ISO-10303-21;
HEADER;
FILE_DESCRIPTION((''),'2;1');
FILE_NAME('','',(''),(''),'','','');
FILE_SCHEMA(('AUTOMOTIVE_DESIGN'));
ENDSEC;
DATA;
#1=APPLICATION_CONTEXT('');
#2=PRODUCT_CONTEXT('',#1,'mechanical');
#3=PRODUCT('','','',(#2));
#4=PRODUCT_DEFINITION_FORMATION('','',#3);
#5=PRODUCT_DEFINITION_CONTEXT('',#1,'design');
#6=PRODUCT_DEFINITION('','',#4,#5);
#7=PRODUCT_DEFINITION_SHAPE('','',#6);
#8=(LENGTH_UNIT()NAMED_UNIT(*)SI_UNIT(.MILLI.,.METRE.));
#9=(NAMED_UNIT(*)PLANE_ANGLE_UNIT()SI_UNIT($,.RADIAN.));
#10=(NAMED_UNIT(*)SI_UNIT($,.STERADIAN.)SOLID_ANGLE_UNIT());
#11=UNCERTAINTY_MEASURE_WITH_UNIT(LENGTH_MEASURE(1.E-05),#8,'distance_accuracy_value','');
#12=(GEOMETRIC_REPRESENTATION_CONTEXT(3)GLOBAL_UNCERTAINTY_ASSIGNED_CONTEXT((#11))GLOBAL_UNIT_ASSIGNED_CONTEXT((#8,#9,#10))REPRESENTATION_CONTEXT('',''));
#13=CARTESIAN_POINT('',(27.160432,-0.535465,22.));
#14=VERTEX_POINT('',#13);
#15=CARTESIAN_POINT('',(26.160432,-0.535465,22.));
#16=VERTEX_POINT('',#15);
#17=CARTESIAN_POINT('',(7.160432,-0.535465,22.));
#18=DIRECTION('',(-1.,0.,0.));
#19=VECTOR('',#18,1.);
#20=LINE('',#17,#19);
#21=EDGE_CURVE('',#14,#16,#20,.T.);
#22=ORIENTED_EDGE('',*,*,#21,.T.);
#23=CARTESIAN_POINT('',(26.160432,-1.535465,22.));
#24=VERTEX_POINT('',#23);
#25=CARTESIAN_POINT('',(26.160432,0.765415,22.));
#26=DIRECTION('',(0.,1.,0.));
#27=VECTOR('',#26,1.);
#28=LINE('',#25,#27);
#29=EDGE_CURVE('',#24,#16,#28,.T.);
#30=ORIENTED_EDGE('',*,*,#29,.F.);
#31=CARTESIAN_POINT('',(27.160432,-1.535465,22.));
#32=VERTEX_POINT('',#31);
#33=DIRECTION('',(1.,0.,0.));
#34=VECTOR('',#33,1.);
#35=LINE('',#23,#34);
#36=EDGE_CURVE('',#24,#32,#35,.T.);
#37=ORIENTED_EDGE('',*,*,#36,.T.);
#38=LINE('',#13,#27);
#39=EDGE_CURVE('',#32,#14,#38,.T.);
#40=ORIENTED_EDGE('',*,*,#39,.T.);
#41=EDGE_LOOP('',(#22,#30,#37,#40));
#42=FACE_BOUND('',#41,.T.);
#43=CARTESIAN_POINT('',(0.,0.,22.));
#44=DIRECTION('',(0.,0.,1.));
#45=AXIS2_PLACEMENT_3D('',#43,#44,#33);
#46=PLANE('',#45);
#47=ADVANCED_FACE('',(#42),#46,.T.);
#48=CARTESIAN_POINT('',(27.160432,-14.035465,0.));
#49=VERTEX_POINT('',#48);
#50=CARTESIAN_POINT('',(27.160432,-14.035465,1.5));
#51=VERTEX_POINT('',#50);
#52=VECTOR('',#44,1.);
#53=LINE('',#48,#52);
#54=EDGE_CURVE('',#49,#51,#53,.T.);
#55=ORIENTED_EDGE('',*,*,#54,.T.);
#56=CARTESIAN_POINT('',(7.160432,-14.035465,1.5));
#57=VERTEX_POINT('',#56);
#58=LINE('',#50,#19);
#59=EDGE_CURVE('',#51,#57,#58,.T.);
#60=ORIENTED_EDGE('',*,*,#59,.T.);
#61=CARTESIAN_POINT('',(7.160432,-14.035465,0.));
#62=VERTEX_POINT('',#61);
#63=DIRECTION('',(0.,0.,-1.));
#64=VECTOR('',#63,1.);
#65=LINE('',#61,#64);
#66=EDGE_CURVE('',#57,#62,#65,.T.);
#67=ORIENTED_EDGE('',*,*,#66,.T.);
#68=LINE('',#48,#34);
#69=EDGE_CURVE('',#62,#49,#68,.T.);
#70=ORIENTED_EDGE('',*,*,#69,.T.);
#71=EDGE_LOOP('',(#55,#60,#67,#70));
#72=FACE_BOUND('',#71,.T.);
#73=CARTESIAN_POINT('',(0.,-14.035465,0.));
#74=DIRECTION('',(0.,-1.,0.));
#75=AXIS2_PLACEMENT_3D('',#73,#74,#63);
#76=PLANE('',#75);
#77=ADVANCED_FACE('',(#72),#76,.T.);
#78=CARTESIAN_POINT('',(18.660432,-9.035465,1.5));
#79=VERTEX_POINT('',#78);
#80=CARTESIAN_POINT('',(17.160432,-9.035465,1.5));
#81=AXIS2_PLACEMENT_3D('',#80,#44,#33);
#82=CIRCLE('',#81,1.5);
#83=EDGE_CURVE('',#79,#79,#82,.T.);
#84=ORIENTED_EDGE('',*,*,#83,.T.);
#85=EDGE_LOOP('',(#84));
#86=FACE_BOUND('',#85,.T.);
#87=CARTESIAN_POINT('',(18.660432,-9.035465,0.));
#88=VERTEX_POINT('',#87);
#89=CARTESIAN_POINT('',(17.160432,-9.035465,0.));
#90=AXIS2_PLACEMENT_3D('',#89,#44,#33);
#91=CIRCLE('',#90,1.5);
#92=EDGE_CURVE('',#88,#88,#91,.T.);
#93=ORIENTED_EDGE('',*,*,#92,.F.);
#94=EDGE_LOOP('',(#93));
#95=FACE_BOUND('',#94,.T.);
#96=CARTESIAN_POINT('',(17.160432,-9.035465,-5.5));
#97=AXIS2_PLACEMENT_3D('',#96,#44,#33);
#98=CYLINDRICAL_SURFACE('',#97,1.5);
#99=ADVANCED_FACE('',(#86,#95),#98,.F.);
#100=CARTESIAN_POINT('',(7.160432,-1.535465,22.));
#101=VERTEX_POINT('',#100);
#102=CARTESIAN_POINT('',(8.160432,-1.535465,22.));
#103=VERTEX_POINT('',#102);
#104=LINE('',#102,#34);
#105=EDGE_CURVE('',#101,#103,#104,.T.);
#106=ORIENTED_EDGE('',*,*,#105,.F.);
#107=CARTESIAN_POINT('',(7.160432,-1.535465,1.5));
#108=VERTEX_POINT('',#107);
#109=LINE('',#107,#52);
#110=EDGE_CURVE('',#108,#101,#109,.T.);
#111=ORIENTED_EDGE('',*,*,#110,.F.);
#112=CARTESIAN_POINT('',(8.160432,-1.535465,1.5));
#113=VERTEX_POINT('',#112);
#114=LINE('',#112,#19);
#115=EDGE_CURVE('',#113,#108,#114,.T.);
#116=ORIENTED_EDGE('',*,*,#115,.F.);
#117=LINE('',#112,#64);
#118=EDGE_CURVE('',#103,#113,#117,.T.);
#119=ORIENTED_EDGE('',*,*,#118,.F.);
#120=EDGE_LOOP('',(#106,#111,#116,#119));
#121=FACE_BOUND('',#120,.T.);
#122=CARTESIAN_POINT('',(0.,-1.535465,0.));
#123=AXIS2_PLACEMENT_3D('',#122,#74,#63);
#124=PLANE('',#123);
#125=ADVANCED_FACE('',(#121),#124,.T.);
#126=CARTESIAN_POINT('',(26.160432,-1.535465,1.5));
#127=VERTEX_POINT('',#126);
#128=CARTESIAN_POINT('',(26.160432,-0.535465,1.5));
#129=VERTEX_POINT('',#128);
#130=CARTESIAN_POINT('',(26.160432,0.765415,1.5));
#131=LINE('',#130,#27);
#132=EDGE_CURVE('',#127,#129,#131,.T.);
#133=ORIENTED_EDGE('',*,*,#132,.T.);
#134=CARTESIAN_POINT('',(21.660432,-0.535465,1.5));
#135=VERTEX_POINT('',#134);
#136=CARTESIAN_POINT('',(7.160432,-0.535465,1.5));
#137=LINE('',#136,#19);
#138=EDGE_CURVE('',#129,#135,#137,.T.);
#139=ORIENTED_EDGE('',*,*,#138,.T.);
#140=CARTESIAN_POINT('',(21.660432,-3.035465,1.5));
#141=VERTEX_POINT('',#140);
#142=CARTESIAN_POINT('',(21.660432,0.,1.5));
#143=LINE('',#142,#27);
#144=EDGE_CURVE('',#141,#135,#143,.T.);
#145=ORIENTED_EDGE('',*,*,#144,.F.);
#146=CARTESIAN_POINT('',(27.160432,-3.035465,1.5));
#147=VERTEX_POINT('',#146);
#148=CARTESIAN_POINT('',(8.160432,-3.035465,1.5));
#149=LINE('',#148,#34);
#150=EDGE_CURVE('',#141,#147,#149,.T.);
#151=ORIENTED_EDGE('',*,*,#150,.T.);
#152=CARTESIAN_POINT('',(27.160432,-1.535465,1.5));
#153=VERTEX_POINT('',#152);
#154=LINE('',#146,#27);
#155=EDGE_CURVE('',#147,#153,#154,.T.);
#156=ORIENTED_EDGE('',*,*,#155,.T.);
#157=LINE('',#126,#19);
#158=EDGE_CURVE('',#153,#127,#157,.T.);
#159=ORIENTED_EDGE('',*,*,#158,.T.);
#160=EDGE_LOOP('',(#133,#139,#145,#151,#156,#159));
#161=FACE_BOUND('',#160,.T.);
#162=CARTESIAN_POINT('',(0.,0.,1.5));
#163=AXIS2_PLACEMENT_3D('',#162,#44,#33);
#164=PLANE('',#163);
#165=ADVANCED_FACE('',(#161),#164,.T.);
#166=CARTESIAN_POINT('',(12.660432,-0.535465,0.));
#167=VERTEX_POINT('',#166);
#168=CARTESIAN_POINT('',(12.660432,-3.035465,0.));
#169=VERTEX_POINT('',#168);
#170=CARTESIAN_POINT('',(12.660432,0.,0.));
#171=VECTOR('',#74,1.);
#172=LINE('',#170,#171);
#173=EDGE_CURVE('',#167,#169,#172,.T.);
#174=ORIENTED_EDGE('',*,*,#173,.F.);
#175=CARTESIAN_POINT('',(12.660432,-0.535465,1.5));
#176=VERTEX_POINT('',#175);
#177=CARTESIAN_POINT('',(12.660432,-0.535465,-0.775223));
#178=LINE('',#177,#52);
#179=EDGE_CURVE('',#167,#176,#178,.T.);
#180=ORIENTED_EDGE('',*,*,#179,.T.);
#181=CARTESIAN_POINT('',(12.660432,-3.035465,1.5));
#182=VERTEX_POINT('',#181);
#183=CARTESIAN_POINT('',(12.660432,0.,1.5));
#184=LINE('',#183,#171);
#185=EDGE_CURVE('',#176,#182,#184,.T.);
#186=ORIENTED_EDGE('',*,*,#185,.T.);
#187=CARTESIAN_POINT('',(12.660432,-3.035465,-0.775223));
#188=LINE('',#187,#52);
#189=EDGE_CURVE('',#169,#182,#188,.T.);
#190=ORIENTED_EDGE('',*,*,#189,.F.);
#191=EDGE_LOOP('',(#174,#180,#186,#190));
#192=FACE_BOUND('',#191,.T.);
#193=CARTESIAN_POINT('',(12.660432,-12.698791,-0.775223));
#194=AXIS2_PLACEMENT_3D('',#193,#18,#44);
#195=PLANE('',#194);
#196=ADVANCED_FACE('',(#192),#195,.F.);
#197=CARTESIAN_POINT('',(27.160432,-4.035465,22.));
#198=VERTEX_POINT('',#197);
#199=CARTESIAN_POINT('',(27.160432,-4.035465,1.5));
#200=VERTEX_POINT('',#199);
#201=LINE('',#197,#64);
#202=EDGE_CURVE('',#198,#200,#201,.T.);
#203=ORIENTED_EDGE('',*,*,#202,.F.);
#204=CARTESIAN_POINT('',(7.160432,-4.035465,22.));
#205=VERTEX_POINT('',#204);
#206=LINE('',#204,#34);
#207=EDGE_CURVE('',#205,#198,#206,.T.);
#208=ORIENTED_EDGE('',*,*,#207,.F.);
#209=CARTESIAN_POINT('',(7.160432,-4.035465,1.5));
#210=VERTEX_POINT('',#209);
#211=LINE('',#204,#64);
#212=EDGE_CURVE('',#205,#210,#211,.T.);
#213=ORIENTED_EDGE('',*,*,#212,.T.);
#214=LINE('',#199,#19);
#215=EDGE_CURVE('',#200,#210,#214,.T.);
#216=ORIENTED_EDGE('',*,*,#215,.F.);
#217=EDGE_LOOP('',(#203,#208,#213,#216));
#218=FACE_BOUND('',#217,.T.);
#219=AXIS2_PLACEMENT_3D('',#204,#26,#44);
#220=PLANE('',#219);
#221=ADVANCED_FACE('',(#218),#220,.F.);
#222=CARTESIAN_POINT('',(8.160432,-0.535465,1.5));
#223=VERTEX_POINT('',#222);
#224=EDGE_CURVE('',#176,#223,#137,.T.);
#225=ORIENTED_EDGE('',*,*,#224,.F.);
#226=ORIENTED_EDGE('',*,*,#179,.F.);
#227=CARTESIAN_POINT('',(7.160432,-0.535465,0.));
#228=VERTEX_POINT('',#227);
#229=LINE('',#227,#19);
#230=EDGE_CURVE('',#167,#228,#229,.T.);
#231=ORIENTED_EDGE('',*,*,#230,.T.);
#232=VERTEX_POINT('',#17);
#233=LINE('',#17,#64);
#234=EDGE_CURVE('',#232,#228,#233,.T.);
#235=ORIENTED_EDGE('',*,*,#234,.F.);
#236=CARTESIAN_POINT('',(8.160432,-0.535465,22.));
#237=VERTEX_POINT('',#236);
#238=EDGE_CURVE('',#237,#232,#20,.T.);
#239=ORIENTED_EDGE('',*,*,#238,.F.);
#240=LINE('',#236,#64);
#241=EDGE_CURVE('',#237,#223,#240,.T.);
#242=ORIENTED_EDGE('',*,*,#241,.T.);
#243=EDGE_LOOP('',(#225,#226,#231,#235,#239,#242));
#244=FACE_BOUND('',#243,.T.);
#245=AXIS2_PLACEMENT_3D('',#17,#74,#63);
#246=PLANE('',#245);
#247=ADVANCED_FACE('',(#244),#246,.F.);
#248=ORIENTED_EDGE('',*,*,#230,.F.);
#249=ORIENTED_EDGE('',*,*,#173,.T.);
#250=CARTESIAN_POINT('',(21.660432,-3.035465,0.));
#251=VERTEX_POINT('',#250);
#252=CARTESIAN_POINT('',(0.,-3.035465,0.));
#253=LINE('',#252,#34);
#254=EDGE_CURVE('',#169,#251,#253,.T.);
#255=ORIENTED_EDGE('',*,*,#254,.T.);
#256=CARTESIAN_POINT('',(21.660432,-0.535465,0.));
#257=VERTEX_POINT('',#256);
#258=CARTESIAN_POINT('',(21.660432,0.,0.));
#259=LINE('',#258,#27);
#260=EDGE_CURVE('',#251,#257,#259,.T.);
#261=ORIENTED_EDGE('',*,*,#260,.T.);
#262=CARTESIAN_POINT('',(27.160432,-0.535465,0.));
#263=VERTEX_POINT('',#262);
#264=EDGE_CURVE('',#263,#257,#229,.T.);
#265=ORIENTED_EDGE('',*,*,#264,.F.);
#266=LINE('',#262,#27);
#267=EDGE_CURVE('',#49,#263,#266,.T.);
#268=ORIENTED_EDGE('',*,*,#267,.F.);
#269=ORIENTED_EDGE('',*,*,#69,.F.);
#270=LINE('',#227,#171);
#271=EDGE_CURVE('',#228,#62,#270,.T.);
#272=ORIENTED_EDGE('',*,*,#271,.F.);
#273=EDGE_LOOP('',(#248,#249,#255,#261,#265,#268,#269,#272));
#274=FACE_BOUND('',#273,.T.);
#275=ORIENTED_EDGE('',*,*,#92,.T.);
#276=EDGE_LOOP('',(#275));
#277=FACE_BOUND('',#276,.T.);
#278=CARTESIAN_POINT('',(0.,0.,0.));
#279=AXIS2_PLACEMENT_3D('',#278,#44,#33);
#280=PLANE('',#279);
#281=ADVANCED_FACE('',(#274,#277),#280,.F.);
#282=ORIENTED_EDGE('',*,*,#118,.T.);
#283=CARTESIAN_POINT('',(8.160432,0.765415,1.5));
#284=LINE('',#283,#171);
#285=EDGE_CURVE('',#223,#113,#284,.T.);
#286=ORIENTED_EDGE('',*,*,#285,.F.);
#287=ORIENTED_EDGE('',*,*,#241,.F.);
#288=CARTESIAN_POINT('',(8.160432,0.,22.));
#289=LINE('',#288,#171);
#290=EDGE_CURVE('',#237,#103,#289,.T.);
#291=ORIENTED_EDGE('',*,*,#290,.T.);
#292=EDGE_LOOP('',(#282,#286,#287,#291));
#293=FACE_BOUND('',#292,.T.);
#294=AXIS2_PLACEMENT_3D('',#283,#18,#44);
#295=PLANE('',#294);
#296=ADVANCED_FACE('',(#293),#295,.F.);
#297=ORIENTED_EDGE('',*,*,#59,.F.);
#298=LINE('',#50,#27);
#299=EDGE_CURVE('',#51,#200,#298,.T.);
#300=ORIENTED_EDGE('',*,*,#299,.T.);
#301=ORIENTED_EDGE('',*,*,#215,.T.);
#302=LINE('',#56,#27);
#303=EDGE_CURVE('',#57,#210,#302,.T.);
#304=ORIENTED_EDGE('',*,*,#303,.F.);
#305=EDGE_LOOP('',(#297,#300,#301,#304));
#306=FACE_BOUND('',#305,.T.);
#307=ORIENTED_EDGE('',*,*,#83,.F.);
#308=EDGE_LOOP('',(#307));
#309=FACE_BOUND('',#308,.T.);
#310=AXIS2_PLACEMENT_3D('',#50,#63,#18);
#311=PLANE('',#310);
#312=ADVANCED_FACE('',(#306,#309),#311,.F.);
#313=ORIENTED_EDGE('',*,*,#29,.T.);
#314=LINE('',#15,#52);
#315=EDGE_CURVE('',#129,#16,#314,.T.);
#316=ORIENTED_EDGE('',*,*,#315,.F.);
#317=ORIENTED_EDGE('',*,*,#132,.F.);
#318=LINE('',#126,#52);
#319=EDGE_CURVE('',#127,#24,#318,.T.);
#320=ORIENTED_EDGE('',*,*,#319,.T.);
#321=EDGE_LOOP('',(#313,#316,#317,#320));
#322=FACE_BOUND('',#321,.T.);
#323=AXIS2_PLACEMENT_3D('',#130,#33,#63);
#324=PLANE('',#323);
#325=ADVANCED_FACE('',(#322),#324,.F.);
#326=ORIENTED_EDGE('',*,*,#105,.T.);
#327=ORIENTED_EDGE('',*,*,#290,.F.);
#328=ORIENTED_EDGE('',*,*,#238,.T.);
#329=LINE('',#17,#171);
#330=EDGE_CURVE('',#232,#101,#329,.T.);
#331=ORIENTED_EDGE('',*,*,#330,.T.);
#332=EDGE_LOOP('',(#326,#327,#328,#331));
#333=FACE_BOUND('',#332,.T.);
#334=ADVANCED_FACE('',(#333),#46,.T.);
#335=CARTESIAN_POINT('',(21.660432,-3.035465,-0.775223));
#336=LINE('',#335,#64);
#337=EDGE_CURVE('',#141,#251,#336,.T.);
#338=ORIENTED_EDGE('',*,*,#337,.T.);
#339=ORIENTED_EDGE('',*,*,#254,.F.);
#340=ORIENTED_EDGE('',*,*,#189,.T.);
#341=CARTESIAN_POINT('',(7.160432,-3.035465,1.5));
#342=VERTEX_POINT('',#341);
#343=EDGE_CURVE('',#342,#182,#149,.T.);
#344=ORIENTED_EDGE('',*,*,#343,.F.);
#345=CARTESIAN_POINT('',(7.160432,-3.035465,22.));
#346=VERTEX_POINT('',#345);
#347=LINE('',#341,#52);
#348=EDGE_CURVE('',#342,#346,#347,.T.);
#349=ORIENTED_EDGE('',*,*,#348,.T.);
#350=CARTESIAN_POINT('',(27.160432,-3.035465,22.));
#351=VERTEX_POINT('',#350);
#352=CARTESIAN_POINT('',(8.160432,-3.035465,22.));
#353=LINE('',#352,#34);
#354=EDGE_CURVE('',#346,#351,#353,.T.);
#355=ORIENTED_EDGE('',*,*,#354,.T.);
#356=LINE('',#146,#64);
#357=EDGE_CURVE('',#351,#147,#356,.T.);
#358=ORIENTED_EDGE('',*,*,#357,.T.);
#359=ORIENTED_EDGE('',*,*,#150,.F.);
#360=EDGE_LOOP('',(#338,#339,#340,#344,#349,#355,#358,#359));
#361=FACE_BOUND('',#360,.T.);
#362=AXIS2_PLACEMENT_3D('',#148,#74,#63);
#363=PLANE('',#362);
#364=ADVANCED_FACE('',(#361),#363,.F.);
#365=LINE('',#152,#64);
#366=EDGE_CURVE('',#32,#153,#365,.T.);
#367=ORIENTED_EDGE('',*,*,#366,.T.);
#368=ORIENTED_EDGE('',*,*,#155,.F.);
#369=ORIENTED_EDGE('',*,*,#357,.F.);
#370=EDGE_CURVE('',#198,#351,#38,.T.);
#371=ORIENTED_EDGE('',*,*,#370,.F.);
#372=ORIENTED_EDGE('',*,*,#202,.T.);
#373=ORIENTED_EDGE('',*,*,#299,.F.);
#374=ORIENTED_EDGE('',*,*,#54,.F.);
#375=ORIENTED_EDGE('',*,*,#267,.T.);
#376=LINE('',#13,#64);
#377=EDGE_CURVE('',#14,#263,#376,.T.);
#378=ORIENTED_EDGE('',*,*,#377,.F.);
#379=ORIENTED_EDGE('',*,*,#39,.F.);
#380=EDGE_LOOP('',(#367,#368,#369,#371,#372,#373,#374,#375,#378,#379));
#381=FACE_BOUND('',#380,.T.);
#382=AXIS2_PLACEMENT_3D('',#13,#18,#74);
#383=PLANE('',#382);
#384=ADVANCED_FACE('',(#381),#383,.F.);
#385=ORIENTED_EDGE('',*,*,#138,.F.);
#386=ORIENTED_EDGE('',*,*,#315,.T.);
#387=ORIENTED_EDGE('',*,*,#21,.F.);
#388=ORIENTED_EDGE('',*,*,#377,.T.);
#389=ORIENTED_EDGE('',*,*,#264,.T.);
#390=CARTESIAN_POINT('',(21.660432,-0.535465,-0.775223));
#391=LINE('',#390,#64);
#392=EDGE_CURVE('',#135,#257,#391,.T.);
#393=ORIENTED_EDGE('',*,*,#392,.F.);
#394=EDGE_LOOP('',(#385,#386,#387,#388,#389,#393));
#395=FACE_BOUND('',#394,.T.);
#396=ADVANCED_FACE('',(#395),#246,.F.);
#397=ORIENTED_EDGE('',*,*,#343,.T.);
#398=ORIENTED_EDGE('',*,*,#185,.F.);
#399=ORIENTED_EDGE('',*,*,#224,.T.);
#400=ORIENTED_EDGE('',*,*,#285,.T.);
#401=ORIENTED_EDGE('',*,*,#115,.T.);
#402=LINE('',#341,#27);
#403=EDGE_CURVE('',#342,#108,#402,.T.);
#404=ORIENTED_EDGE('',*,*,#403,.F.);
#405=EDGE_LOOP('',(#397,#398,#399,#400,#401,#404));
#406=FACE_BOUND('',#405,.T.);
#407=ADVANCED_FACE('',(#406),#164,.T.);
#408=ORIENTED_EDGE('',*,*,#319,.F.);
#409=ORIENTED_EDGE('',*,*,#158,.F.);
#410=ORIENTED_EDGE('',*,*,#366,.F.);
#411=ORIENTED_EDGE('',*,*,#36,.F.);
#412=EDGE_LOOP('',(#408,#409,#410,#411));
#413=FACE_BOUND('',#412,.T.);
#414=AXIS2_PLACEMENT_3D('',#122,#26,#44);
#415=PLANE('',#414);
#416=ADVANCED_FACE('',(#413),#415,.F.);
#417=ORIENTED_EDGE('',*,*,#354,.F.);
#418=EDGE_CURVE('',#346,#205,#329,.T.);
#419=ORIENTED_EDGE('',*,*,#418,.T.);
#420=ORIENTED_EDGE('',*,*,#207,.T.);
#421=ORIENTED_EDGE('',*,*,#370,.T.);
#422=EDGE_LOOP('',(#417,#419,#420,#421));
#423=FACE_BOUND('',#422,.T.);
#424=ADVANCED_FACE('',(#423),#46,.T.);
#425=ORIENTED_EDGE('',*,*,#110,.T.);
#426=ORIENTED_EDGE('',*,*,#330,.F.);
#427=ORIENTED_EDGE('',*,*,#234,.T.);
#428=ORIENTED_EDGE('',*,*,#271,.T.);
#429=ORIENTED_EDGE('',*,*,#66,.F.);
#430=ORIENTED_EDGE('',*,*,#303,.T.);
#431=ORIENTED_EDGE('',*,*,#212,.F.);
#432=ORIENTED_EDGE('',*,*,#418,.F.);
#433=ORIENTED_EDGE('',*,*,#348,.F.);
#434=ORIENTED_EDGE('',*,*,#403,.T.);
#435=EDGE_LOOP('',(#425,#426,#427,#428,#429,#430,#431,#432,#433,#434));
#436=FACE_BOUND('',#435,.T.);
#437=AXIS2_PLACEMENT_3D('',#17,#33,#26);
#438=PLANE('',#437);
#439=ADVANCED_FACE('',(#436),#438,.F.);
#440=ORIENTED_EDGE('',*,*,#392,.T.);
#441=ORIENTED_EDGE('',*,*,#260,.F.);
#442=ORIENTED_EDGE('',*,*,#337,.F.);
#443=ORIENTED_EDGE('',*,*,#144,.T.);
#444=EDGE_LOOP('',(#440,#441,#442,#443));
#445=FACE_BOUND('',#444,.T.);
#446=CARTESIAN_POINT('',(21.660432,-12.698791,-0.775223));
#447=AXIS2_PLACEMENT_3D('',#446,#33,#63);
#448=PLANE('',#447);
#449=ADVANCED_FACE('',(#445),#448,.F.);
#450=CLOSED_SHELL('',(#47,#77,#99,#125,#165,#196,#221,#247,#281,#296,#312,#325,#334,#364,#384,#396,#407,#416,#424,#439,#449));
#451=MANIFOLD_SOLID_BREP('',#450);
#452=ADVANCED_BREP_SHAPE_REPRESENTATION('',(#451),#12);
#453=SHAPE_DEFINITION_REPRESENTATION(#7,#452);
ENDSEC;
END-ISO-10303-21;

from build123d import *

# Parameters (mm, degrees)
ESBO_O1_W                = 20
ESBO_O1_H                = 3.5
RESSALTO_EXTRUS_O1_DEPTH = 22
ESBO_O2_W                = 18
ESBO_O2_H                = 3.80087929
CORTE_EXTRUS_O1_DEPTH    = 20.5
ESBO_O3_W                = 1
ESBO_O3_H                = 20.5
CORTE_EXTRUS_O2_DEPTH    = 1.5
ESBO_O4_W                = 20
ESBO_O4_H                = 1.5
RESSALTO_EXTRUS_O2_DEPTH = 10
ESBO_O5_R                = 1.5
CORTE_EXTRUS_O3_DEPTH    = 7
ESBO_O6_W                = 9
ESBO_O6_H                = 3.518504599
CORTE_EXTRUS_O4_DEPTH    = 2.5


with BuildPart() as part:
    # Esboço1 → Ressalto-extrusão1 (new body)
    with BuildSketch(Plane.XY):
        with Locations((17.16043247, -2.285464773)):
            Rectangle(ESBO_O1_W, ESBO_O1_H)
    extrude(amount=RESSALTO_EXTRUS_O1_DEPTH)

    # Esboço2 → Corte-extrusão1 (cut)
    with BuildSketch(Plane.XY.offset(22)):
        with Locations((17.16043247, -1.135025128)):
            Rectangle(ESBO_O2_W, ESBO_O2_H)
    extrude(amount=-CORTE_EXTRUS_O1_DEPTH, mode=Mode.SUBTRACT)

    # Esboço3 → Corte-extrusão2 (cut)
    with BuildSketch(Plane(origin=(0, -1.535464773, 0), x_dir=(1, 0, 0), z_dir=(0, 1, 0))):
        with Locations((7.66043247, -11.75)):
            Rectangle(ESBO_O3_W, ESBO_O3_H)
        with Locations((26.66043247, -11.75)):
            Rectangle(ESBO_O3_W, ESBO_O3_H)
    extrude(amount=-CORTE_EXTRUS_O2_DEPTH, mode=Mode.SUBTRACT)

    # Esboço4 → Ressalto-extrusão2 (add)
    with BuildSketch(Plane.XZ.offset(4.035464773)):
        with Locations((17.16043247, 0.75)):
            Rectangle(ESBO_O4_W, ESBO_O4_H)
    extrude(amount=RESSALTO_EXTRUS_O2_DEPTH)

    # Esboço5 → Corte-extrusão3 (cut)
    with BuildSketch(Plane.XY.offset(1.5)):
        with Locations((17.16043247, -9.035464773)):
            Circle(ESBO_O5_R)
    extrude(amount=-CORTE_EXTRUS_O3_DEPTH, mode=Mode.SUBTRACT)

    # Esboço6 → Corte-extrusão4 (cut)
    with BuildSketch(Plane(origin=(0, -0.535464773, 0), x_dir=(1, 0, 0), z_dir=(0, 1, 0))):
        with Locations((17.16043247, -0.984028815)):
            Rectangle(ESBO_O6_W, ESBO_O6_H)
    extrude(amount=-CORTE_EXTRUS_O4_DEPTH, mode=Mode.SUBTRACT)


solid = part.part
